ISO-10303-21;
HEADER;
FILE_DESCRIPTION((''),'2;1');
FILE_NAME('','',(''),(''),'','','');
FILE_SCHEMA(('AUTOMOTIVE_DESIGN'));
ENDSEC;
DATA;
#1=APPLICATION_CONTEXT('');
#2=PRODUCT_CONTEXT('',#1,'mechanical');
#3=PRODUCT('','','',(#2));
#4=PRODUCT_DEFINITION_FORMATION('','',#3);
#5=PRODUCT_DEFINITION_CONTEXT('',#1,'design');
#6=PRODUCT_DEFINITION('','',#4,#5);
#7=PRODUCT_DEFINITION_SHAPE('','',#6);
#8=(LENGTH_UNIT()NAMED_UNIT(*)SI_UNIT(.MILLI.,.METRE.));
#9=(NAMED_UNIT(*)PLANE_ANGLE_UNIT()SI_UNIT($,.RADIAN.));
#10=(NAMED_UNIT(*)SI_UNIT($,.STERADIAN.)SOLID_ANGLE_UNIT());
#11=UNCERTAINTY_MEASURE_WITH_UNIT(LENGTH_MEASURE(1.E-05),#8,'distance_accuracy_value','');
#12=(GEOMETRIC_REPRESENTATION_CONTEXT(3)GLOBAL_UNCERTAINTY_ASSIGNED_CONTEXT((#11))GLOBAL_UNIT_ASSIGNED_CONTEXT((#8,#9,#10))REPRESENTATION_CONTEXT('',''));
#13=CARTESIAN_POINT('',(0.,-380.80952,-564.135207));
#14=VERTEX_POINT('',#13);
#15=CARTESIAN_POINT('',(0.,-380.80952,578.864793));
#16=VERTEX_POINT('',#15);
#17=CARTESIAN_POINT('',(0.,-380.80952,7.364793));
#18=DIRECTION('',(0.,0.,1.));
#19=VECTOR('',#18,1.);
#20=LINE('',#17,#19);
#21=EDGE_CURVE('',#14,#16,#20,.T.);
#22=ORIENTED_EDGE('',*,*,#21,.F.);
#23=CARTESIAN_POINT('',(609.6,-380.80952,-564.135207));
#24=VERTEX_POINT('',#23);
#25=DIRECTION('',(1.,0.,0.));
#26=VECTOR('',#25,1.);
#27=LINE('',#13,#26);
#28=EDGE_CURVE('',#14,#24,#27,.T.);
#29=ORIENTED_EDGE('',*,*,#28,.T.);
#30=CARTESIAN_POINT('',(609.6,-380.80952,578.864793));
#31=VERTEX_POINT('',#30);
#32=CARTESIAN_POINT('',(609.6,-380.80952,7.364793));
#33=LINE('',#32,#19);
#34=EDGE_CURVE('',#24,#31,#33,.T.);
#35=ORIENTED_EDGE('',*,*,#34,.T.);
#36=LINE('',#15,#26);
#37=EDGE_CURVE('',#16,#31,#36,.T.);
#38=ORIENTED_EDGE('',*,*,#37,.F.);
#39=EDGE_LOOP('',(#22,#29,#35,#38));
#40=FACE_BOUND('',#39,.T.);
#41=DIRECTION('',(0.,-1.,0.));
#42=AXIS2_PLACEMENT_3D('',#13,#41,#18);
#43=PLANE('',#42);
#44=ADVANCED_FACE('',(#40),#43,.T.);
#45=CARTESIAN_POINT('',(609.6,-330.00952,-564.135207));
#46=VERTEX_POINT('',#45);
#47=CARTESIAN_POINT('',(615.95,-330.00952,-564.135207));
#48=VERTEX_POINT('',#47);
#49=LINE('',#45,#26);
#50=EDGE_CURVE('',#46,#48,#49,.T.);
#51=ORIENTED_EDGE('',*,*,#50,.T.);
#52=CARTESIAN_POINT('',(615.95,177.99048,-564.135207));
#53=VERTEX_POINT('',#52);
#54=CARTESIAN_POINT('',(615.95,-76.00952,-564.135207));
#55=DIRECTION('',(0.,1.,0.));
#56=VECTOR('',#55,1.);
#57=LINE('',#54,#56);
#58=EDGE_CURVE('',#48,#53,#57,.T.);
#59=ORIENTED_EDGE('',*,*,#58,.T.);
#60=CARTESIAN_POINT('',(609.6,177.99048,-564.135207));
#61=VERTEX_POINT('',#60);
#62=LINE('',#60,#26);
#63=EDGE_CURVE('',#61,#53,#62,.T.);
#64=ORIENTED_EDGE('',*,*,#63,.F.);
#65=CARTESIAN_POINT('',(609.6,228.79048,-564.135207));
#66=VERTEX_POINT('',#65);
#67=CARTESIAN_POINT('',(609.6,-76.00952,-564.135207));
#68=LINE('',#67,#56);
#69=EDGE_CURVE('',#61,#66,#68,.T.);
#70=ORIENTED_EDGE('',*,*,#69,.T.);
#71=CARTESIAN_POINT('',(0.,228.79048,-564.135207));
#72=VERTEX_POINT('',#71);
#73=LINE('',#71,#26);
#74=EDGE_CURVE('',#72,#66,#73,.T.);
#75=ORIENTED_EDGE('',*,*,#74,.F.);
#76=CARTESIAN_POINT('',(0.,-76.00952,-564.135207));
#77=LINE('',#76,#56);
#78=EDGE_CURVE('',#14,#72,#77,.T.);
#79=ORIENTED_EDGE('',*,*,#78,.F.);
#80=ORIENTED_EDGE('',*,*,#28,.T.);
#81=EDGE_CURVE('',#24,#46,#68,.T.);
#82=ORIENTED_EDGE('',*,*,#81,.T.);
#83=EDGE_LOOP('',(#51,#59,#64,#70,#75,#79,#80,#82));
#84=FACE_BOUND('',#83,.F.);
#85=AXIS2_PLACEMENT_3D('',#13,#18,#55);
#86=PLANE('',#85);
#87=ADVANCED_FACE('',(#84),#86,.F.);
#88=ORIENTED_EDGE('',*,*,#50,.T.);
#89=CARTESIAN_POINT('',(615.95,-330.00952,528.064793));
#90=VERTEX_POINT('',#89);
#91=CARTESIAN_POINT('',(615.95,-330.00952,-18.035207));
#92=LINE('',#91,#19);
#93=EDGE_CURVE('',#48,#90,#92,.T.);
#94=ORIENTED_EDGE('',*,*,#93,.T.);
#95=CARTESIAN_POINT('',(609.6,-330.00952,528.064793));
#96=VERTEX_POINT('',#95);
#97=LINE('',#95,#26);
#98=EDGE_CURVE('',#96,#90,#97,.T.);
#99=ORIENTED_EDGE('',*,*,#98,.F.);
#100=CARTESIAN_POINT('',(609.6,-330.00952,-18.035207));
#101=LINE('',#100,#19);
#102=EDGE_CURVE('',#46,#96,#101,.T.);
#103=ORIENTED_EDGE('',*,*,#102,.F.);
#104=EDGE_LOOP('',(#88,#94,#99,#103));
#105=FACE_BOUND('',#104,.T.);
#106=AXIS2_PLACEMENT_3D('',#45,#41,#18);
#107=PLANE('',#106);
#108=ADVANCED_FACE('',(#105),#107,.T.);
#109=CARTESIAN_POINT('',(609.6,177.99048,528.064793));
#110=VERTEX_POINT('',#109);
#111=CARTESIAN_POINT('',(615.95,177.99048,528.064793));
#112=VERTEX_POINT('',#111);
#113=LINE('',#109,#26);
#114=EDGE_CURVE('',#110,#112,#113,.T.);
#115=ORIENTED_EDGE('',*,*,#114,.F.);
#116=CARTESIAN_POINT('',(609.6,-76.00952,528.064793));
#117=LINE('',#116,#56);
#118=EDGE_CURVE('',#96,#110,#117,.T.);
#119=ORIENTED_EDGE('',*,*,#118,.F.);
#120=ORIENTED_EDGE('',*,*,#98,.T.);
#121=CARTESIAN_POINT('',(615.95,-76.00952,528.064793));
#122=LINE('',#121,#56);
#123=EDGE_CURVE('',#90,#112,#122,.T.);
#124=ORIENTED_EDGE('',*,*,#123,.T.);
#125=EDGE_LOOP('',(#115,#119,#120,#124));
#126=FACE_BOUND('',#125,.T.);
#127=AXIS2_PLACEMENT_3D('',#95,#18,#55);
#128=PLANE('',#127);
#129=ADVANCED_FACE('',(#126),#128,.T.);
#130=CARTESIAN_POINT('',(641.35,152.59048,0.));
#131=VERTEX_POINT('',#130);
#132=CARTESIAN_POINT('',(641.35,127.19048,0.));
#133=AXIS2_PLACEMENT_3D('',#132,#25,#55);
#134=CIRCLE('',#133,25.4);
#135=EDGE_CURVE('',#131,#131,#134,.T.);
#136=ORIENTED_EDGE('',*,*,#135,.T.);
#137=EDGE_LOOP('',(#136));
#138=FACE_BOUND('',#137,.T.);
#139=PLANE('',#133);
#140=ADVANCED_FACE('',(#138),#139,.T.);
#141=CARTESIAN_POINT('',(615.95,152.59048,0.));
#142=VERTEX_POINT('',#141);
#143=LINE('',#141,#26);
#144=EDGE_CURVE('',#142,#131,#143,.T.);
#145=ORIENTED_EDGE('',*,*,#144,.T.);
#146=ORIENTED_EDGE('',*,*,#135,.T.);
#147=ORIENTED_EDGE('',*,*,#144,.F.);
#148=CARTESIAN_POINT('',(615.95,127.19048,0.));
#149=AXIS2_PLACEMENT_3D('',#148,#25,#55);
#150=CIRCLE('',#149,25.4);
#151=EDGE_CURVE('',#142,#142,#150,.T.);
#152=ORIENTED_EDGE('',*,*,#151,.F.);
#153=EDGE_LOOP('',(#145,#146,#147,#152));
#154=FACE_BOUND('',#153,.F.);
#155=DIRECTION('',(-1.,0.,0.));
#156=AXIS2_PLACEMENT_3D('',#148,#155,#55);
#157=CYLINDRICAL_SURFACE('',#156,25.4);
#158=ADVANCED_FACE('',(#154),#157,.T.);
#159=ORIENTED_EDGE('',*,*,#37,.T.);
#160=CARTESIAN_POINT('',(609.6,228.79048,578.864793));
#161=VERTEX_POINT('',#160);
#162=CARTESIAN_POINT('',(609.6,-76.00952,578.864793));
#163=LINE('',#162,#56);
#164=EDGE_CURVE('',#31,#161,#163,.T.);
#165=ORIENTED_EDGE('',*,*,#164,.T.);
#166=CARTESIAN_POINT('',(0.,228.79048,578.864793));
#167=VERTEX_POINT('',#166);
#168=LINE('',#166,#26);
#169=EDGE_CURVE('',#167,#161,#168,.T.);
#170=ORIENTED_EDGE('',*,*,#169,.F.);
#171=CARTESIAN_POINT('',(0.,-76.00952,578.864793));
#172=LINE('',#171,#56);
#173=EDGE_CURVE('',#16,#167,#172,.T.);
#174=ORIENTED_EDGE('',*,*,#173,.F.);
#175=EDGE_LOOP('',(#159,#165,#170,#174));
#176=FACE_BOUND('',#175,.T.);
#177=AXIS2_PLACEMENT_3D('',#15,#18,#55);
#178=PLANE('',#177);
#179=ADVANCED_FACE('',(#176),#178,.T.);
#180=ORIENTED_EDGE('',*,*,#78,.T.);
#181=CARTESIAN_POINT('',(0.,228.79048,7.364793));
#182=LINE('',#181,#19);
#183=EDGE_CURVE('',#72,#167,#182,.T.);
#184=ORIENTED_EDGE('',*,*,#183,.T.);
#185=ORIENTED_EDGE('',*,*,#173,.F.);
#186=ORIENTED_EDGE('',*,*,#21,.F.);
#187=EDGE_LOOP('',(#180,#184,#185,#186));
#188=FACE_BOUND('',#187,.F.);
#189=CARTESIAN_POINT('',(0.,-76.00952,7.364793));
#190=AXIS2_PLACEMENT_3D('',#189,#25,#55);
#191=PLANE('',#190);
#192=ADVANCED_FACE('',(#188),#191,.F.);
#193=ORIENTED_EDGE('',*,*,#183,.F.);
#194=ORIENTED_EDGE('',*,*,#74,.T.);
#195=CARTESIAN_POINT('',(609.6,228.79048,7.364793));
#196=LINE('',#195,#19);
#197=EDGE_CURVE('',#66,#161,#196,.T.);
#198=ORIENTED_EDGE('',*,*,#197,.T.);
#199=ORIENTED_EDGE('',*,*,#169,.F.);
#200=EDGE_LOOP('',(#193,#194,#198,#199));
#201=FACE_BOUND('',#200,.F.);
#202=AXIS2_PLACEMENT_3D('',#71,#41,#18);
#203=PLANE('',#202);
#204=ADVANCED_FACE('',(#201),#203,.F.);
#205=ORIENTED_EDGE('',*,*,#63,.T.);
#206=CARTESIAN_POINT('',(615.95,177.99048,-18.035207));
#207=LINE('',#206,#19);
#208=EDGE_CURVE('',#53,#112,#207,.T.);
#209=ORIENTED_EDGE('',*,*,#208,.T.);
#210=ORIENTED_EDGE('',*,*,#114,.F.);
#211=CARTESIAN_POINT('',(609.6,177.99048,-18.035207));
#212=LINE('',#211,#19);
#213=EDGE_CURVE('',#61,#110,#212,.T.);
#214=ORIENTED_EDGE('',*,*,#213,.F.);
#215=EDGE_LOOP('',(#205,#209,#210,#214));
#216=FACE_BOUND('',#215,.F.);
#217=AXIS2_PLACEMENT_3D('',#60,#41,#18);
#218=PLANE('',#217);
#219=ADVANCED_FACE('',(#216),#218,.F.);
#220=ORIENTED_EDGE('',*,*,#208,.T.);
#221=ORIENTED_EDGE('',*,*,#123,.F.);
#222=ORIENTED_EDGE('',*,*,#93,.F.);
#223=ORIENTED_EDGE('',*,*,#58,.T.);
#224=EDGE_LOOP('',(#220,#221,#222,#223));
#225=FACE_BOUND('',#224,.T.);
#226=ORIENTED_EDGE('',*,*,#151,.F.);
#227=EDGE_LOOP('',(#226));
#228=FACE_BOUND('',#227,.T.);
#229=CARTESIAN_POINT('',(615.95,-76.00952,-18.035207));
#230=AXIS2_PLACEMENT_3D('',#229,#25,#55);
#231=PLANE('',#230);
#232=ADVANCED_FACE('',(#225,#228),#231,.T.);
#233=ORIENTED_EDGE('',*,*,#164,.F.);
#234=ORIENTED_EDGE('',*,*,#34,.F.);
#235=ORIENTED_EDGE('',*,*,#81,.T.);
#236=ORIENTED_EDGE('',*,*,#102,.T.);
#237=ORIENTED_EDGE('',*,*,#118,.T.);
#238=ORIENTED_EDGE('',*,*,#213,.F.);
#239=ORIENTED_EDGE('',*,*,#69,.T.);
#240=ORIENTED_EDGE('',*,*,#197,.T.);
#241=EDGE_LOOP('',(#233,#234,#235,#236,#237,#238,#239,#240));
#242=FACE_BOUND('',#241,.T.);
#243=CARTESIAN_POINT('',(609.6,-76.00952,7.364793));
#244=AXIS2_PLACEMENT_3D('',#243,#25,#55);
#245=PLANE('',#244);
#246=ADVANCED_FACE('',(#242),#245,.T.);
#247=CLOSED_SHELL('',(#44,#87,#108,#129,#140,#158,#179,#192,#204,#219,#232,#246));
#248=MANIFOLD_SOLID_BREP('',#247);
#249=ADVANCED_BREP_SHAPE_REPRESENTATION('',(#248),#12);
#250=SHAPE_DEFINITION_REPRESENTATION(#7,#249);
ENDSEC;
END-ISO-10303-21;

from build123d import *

# Parameters (mm, degrees)
F0_W     = 609.6
F0_H     = 1143
F1_DEPTH = 609.6
F2_W     = 508
F2_H     = 1092.2
F3_DEPTH = 6.35
F4_R     = 25.4
F5_DEPTH = 25.4


with BuildPart() as f1:
    # F0 (on Right) → F1 (new body)
    with BuildSketch(Plane.YZ):
        with Locations((-76.00952, 7.364793)):
            Rectangle(F0_W, F0_H)
    extrude(amount=F1_DEPTH)

    # F2 (on face) → F3 (join)
    with BuildSketch(Plane.YZ.offset(609.6)):
        with Locations((-76.00952, -18.035207)):
            Rectangle(F2_W, F2_H)
    extrude(amount=F3_DEPTH)

    # F4 (on face) → F5 (join)
    with BuildSketch(Plane.YZ.offset(615.95)):
        with Locations((127.19048, 0)):
            Circle(F4_R)
    extrude(amount=F5_DEPTH)


solid = f1.part
